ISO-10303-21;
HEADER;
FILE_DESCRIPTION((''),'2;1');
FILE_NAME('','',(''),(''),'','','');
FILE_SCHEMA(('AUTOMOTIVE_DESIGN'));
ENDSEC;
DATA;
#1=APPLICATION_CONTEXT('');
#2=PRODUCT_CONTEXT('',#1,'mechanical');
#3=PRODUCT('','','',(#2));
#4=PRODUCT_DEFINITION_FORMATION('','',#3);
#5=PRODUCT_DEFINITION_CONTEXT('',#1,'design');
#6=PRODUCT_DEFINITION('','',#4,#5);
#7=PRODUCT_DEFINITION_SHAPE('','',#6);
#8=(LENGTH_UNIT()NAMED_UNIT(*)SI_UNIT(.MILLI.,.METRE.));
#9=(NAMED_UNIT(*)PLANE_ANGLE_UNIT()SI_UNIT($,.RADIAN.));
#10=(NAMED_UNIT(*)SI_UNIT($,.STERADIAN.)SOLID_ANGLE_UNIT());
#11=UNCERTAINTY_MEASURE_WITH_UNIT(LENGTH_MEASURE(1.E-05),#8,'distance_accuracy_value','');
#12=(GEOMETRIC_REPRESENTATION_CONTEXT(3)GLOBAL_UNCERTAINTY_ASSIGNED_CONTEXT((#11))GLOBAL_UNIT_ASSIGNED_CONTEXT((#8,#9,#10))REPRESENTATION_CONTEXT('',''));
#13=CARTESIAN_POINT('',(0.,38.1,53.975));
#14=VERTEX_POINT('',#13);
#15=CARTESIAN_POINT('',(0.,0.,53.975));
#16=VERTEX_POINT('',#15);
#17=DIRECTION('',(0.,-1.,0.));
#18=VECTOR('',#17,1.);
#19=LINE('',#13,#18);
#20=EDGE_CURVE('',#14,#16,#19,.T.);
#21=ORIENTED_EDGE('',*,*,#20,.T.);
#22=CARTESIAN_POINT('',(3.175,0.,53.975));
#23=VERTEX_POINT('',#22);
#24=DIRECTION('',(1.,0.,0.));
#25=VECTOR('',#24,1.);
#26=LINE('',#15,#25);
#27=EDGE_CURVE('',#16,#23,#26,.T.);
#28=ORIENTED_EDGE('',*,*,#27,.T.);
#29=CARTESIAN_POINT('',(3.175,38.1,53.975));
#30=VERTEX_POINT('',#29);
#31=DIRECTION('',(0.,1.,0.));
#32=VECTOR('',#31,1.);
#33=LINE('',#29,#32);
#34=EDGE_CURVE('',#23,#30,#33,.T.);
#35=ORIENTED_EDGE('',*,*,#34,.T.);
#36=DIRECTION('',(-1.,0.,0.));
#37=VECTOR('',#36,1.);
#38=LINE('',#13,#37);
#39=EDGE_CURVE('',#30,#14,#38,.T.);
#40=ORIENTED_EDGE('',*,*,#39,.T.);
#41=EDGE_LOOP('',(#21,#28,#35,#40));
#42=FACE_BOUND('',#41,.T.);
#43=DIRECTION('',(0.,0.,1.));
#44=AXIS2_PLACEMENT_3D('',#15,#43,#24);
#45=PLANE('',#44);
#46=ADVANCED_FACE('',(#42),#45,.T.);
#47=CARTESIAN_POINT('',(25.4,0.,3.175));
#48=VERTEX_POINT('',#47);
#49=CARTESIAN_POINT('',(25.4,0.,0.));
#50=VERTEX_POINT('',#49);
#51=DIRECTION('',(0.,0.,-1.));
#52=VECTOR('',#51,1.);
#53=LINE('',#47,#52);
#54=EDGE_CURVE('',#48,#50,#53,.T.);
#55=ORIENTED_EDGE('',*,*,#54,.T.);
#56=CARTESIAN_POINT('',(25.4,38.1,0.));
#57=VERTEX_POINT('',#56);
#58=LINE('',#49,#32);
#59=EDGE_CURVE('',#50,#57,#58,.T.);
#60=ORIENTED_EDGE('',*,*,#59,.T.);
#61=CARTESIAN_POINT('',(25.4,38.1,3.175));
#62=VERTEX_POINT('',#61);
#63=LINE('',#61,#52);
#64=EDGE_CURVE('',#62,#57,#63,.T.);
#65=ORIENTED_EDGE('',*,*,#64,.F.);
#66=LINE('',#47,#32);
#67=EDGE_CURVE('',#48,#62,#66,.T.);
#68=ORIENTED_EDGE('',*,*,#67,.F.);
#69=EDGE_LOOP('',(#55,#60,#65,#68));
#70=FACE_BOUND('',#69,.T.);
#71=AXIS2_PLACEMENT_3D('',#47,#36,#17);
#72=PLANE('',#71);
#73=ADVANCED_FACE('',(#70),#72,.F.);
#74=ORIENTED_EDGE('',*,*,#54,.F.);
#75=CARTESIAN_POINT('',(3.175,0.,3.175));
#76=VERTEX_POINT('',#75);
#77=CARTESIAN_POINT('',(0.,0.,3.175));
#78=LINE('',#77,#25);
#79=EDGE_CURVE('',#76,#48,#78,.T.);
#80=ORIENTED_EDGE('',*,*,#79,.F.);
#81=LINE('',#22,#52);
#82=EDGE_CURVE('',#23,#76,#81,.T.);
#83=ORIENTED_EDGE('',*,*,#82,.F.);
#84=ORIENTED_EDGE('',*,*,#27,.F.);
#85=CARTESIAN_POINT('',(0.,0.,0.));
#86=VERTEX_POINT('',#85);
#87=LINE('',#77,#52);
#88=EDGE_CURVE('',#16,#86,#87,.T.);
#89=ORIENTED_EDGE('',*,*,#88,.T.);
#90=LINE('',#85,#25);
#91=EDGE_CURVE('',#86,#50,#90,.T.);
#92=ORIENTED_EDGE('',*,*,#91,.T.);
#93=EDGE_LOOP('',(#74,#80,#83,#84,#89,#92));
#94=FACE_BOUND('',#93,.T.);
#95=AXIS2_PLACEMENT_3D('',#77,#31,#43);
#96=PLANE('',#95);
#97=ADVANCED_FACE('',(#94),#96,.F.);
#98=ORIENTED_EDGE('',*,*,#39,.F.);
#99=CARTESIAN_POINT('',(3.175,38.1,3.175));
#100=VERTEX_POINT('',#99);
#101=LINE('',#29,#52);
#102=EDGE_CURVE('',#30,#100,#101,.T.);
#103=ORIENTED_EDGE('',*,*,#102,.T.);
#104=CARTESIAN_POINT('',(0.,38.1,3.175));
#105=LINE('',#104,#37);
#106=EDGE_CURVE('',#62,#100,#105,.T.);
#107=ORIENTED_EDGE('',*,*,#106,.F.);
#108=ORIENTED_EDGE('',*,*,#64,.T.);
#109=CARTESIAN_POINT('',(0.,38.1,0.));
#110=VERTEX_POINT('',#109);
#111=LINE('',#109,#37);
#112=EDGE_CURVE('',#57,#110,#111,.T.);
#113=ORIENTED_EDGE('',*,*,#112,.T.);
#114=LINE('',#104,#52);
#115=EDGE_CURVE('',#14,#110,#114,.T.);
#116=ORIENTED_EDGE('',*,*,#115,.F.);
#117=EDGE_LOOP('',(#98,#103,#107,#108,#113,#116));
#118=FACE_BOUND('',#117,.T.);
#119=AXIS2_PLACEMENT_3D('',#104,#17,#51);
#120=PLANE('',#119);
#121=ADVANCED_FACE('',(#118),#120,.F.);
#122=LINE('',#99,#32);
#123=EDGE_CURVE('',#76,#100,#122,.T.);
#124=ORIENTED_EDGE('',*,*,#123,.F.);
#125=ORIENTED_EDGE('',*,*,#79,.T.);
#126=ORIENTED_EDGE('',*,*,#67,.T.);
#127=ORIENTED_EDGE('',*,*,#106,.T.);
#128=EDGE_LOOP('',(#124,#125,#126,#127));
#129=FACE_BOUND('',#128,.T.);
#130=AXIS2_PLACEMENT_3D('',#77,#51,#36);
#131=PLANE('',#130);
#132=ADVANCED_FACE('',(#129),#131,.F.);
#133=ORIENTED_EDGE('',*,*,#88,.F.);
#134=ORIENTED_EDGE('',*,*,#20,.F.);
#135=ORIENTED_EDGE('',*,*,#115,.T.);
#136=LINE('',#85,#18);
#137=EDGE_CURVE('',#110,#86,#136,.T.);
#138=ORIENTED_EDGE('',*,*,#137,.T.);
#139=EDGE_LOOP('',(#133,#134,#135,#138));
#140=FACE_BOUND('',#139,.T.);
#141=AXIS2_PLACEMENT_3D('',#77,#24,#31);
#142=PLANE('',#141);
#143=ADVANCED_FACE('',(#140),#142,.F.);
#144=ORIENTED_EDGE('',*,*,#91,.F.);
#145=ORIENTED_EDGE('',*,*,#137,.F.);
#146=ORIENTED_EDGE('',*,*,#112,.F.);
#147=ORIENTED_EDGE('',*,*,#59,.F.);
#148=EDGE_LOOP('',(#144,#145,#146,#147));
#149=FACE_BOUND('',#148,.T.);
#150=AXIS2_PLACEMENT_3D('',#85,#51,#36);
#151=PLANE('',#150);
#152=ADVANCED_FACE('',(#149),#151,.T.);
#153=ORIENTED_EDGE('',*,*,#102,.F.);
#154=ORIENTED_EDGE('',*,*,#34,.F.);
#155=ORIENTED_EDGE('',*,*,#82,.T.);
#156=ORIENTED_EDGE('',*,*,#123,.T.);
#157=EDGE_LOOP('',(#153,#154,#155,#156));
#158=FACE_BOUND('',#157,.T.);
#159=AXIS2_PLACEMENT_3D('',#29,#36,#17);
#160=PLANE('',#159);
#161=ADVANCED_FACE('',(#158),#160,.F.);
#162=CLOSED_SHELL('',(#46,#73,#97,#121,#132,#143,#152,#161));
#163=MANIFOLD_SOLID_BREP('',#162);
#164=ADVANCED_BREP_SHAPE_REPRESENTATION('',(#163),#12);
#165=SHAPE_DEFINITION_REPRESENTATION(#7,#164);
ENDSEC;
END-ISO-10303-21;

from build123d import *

# Parameters (mm, degrees)
SKETCH1_W           = 25.4
SKETCH1_H           = 38.1
BOSS_EXTRUDE1_DEPTH = 3.175
SKETCH2_W           = 3.175
SKETCH2_H           = 38.1
BOSS_EXTRUDE2_DEPTH = 50.8


with BuildPart() as part:
    # Sketch1 → Boss-Extrude1 (new body)
    with BuildSketch(Plane.XY):
        with Locations((12.7, 19.05)):
            Rectangle(SKETCH1_W, SKETCH1_H)
    extrude(amount=BOSS_EXTRUDE1_DEPTH)

    # Sketch2 → Boss-Extrude2 (add)
    with BuildSketch(Plane.XY.offset(3.175)):
        with Locations((1.5875, 19.05)):
            Rectangle(SKETCH2_W, SKETCH2_H)
    extrude(amount=BOSS_EXTRUDE2_DEPTH)


solid = part.part
